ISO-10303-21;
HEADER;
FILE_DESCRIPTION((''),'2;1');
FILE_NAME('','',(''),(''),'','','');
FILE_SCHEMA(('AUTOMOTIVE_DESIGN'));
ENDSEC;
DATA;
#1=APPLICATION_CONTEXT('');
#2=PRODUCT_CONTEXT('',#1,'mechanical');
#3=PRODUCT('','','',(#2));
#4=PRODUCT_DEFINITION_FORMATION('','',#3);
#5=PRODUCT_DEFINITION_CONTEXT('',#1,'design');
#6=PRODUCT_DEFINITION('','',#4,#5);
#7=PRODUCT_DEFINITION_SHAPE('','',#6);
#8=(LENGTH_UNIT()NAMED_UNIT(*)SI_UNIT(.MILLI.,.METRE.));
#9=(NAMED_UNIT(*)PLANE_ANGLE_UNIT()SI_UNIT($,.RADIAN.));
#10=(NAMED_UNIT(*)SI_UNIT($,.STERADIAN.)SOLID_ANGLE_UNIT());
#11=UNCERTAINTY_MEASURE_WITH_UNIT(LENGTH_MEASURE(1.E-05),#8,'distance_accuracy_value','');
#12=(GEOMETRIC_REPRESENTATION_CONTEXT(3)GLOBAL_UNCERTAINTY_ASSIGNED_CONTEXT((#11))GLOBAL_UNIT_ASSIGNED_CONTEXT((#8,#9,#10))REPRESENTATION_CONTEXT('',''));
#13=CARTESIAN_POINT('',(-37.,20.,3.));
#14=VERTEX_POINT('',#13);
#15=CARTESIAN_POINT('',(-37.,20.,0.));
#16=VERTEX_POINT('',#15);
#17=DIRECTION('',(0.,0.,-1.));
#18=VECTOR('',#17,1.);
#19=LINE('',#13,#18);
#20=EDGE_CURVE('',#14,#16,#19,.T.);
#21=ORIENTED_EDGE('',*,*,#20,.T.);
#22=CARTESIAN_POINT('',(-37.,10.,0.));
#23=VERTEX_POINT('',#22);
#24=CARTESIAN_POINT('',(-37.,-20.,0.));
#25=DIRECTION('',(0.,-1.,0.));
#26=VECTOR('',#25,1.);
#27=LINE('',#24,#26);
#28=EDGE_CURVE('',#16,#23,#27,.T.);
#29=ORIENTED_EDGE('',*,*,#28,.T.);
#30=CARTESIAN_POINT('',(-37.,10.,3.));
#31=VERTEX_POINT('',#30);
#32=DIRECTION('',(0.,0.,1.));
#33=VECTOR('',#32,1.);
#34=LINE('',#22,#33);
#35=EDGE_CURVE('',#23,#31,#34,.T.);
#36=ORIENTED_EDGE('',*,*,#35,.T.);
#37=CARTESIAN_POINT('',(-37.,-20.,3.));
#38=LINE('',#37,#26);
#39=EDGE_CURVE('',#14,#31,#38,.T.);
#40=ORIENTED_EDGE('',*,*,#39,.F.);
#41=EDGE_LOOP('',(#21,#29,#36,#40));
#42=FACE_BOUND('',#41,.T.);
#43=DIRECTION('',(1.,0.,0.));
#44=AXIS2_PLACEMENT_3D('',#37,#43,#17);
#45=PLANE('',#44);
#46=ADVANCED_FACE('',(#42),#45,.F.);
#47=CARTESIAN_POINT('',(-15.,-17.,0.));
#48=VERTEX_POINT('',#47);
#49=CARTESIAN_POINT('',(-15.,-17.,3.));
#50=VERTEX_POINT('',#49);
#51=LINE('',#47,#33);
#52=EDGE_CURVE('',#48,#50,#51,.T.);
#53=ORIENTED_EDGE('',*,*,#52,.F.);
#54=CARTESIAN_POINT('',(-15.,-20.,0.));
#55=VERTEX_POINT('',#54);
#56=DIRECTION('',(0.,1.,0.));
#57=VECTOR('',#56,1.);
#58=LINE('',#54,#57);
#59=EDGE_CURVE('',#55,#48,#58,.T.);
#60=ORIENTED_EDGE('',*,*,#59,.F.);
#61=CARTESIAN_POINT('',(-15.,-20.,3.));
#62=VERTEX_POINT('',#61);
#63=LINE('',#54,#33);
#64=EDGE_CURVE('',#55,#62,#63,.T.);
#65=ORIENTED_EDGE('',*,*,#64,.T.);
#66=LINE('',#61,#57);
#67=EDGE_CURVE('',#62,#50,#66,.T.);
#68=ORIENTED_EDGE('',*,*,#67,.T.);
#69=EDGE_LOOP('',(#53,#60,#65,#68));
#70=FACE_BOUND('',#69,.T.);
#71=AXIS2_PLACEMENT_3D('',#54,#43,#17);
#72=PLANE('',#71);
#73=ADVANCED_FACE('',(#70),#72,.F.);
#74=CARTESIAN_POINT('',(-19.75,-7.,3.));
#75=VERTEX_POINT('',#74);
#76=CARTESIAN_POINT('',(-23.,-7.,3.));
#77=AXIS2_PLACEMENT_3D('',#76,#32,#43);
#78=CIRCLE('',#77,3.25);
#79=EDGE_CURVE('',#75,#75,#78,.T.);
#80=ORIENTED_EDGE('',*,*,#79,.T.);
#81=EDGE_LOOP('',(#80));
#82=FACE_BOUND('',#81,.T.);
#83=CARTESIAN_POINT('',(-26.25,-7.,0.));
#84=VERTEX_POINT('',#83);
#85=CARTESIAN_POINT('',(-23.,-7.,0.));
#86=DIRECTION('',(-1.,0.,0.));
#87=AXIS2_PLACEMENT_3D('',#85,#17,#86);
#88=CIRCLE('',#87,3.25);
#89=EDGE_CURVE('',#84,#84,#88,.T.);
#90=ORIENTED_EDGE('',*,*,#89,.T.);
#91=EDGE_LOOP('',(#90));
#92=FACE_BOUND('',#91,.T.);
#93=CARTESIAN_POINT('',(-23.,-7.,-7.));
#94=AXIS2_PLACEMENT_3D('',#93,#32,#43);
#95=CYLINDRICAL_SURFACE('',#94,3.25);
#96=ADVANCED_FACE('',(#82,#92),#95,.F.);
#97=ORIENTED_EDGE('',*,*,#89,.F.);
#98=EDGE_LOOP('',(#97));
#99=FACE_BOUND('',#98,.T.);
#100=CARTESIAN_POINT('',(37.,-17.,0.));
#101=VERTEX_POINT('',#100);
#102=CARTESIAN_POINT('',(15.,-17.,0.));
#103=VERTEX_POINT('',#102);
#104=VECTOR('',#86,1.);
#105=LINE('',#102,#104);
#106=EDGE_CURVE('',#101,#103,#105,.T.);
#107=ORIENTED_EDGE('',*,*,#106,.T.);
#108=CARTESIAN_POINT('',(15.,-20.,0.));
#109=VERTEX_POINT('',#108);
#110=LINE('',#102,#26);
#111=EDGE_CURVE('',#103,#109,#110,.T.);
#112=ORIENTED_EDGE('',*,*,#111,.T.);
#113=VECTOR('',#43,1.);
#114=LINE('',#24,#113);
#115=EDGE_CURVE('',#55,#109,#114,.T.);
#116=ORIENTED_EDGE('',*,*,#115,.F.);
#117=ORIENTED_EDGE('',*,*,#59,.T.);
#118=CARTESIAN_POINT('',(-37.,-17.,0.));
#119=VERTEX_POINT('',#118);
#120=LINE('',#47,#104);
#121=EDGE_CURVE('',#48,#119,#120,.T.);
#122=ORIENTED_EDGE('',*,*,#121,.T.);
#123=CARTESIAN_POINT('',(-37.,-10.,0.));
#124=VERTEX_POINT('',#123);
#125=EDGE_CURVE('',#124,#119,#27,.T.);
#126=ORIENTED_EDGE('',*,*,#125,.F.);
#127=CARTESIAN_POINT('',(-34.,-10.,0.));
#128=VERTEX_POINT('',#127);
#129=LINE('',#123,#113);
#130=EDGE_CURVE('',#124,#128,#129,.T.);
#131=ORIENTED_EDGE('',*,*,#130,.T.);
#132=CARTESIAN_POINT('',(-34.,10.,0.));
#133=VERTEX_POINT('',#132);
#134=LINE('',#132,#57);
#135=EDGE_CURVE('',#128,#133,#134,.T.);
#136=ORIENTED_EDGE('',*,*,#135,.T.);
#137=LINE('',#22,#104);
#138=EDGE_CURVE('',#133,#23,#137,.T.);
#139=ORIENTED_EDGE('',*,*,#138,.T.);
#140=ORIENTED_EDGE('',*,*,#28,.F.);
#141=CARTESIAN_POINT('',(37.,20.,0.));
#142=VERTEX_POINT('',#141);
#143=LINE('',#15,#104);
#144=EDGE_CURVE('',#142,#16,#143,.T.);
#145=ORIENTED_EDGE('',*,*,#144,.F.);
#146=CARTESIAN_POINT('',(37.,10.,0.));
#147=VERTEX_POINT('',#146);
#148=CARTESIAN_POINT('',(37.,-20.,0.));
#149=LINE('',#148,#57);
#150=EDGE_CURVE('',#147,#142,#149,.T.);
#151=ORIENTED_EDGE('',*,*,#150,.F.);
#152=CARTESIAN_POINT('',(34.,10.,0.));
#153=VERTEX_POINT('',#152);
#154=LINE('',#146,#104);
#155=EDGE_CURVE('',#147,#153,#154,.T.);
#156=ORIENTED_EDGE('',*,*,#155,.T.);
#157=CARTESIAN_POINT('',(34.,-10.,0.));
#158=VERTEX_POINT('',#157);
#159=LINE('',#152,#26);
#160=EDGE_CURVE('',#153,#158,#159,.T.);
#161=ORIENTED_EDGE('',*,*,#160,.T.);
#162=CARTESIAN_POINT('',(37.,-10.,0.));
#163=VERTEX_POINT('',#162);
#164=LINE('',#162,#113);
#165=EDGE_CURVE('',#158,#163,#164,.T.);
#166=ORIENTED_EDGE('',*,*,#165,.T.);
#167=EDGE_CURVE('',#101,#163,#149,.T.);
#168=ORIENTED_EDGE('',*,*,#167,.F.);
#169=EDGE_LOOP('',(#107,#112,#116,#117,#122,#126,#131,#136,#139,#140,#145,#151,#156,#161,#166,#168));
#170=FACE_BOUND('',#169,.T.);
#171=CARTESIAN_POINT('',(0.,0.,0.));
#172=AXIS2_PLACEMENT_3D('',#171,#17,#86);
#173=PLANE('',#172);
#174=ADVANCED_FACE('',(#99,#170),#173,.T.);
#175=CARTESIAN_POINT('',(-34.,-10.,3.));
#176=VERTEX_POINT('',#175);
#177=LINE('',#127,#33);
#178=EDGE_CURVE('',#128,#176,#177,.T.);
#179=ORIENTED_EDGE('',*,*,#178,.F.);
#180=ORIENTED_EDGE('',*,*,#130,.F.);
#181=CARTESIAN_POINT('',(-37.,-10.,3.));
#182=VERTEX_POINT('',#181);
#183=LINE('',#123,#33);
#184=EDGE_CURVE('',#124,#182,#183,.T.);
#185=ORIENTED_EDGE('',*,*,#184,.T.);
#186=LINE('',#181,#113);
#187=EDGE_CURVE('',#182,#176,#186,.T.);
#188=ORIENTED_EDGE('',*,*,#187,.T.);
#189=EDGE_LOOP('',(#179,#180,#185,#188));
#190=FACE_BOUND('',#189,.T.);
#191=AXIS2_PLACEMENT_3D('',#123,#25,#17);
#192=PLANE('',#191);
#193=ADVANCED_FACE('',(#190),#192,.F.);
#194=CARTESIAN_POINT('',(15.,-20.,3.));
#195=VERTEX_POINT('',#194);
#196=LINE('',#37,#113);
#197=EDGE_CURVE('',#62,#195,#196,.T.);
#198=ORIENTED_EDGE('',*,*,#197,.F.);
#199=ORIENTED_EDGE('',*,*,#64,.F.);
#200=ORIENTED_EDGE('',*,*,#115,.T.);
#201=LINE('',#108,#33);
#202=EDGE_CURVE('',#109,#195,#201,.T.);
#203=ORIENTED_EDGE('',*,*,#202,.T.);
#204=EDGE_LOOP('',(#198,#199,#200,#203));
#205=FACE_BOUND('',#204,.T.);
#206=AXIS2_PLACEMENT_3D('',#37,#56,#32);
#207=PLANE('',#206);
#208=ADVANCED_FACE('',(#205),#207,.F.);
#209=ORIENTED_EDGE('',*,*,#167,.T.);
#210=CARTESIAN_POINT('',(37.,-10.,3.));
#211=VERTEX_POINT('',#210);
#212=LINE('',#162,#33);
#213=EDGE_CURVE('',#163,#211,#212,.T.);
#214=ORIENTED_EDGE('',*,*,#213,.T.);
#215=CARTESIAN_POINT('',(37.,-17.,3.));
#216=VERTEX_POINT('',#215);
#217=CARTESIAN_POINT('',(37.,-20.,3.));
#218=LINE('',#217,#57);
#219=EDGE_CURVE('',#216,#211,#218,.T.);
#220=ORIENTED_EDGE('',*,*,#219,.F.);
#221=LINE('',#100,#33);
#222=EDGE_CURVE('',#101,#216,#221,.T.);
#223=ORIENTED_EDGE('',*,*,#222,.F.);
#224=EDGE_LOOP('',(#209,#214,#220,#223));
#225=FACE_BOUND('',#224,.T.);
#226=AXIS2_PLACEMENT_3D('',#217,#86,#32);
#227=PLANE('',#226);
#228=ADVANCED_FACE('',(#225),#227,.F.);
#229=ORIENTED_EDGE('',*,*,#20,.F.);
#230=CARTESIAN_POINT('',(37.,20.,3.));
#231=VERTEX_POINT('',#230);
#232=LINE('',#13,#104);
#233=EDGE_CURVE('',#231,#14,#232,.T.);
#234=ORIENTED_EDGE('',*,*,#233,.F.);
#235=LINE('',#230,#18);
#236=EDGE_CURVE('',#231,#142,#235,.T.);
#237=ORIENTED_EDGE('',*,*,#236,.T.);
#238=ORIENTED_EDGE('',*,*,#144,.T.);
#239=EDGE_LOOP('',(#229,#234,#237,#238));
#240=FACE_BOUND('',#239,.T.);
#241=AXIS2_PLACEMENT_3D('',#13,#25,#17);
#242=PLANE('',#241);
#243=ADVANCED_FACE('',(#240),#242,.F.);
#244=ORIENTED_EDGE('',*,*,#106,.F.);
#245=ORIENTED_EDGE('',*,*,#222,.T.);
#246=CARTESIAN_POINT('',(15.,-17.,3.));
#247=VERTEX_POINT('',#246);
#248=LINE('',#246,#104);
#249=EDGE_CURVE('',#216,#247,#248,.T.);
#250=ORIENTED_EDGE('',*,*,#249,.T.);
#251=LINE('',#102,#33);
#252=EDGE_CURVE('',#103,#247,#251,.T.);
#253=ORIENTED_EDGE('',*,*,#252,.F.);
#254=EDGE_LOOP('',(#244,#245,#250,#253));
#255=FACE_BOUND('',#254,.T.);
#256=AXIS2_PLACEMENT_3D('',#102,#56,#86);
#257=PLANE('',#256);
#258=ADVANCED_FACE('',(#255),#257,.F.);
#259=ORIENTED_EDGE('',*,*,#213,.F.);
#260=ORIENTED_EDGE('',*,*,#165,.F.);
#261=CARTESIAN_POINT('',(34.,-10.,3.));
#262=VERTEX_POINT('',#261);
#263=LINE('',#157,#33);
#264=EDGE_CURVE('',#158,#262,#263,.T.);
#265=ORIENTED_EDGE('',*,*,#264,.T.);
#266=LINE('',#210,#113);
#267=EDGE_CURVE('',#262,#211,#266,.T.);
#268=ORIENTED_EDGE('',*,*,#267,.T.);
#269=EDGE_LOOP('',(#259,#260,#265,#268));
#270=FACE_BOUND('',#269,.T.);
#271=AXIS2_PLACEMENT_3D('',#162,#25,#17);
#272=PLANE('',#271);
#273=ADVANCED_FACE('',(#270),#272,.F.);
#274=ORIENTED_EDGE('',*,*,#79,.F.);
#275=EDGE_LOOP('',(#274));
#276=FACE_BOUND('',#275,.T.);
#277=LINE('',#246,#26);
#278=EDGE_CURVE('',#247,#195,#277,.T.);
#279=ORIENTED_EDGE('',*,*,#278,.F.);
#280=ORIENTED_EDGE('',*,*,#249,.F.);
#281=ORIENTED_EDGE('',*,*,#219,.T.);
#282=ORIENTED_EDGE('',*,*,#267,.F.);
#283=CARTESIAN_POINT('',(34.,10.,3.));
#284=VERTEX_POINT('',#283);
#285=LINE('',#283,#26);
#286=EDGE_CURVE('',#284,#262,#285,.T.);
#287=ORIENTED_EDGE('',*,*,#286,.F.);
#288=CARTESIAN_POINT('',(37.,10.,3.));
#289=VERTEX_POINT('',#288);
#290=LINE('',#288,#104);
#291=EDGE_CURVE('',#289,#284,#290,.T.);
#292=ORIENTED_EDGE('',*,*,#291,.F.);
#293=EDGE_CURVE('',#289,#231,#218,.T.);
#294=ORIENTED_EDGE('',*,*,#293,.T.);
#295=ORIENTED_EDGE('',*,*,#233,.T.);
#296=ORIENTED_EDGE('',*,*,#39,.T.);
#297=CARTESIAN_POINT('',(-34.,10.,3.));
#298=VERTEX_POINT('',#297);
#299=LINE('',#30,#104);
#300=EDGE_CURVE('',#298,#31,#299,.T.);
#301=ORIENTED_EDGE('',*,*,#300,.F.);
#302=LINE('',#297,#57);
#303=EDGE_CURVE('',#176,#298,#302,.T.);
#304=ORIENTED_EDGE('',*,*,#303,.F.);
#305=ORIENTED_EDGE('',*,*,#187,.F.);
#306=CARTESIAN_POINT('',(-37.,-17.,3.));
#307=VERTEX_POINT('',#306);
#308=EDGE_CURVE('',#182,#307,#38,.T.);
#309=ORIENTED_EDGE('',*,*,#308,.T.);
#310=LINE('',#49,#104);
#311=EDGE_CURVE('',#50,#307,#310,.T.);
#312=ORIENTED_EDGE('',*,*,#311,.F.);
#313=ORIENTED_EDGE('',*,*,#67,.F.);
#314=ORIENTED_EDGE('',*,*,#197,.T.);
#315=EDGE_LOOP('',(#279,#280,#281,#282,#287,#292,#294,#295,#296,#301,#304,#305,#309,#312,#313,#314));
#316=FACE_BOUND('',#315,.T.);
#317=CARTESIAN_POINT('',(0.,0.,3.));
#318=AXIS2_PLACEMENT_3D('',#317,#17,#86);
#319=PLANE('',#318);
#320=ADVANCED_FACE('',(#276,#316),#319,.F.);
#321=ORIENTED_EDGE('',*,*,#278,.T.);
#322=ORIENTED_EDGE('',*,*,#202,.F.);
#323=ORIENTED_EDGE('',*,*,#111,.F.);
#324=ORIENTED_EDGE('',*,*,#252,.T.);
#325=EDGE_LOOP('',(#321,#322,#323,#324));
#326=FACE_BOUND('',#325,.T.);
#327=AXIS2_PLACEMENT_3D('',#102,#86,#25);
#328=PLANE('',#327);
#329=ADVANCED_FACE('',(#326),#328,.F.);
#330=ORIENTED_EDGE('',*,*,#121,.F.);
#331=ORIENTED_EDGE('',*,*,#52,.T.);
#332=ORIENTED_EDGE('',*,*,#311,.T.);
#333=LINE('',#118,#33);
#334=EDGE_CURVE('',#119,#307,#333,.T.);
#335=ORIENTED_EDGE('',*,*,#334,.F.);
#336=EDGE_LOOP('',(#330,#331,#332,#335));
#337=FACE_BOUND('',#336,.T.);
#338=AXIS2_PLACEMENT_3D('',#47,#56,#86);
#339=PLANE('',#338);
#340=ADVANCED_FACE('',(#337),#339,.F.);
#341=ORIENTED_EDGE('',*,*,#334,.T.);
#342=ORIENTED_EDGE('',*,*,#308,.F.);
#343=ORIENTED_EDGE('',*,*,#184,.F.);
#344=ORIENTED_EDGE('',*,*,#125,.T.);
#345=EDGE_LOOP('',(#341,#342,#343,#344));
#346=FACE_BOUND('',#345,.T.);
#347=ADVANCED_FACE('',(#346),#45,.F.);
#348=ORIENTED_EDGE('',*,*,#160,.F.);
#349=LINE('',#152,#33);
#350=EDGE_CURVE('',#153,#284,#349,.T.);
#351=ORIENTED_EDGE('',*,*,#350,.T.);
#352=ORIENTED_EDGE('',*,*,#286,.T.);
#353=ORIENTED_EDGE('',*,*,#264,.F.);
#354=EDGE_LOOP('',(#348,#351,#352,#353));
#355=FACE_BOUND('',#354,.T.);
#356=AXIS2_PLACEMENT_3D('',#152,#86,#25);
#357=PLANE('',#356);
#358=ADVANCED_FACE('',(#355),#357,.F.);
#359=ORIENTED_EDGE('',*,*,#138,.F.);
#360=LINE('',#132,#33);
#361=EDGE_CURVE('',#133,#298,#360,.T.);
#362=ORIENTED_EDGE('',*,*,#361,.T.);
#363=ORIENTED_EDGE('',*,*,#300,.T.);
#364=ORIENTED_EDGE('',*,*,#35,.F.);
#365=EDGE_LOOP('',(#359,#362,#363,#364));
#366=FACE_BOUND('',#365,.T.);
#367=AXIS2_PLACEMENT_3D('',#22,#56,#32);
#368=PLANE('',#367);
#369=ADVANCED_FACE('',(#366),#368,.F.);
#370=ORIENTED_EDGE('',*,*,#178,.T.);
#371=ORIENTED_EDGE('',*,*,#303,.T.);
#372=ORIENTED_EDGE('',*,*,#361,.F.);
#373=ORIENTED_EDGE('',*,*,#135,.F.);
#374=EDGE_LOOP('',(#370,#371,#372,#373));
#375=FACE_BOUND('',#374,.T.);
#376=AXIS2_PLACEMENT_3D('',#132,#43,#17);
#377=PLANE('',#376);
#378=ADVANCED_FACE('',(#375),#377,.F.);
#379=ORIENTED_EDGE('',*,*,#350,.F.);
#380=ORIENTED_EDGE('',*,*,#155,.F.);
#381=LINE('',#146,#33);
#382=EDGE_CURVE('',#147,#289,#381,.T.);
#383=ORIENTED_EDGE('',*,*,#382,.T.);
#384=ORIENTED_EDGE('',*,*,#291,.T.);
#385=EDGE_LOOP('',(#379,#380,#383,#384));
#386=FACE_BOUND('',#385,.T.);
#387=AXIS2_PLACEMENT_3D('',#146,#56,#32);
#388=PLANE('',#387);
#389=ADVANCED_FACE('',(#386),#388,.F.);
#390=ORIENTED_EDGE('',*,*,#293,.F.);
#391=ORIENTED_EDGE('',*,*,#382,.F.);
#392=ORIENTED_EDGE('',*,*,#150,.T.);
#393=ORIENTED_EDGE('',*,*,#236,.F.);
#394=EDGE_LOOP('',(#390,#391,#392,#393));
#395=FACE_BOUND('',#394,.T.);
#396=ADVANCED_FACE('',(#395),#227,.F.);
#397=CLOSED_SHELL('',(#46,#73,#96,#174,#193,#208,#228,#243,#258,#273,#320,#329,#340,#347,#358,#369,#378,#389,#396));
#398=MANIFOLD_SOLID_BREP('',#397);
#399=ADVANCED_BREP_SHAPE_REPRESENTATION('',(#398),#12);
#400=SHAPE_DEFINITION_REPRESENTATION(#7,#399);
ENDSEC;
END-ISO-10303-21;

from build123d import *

# Parameters (mm, degrees)
ESBO_O1_W                = 74
ESBO_O1_H                = 40
RESSALTO_EXTRUS_O1_DEPTH = 3
ESBO_O2_W                = 22
ESBO_O2_H                = 3
ESBO_O2_W_2              = 3
ESBO_O2_H_2              = 20
CORTE_EXTRUS_O1_DEPTH    = 3
ESBO_O3_R                = 3.25
CORTE_EXTRUS_O2_DEPTH    = 10


with BuildPart() as part:
    # Esboço1 → Ressalto-extrusão1 (new body)
    with BuildSketch(Plane.XY):
        Rectangle(ESBO_O1_W, ESBO_O1_H)
    extrude(amount=RESSALTO_EXTRUS_O1_DEPTH)

    # Esboço2 → Corte-extrusão1 (cut)
    with BuildSketch(Plane.XY.offset(3)):
        with Locations((-26, -18.5)):
            Rectangle(ESBO_O2_W, ESBO_O2_H)
        with Locations((26, -18.5)):
            Rectangle(ESBO_O2_W, ESBO_O2_H)
        with Locations((-35.5, 0)):
            Rectangle(ESBO_O2_W_2, ESBO_O2_H_2)
        with Locations((35.5, 0)):
            Rectangle(ESBO_O2_W_2, ESBO_O2_H_2)
    extrude(amount=-CORTE_EXTRUS_O1_DEPTH, mode=Mode.SUBTRACT)

    # Esboço3 → Corte-extrusão2 (cut)
    with BuildSketch(Plane.XY.offset(3)):
        with Locations((-23, -7)):
            Circle(ESBO_O3_R)
    extrude(amount=-CORTE_EXTRUS_O2_DEPTH, mode=Mode.SUBTRACT)


solid = part.part
